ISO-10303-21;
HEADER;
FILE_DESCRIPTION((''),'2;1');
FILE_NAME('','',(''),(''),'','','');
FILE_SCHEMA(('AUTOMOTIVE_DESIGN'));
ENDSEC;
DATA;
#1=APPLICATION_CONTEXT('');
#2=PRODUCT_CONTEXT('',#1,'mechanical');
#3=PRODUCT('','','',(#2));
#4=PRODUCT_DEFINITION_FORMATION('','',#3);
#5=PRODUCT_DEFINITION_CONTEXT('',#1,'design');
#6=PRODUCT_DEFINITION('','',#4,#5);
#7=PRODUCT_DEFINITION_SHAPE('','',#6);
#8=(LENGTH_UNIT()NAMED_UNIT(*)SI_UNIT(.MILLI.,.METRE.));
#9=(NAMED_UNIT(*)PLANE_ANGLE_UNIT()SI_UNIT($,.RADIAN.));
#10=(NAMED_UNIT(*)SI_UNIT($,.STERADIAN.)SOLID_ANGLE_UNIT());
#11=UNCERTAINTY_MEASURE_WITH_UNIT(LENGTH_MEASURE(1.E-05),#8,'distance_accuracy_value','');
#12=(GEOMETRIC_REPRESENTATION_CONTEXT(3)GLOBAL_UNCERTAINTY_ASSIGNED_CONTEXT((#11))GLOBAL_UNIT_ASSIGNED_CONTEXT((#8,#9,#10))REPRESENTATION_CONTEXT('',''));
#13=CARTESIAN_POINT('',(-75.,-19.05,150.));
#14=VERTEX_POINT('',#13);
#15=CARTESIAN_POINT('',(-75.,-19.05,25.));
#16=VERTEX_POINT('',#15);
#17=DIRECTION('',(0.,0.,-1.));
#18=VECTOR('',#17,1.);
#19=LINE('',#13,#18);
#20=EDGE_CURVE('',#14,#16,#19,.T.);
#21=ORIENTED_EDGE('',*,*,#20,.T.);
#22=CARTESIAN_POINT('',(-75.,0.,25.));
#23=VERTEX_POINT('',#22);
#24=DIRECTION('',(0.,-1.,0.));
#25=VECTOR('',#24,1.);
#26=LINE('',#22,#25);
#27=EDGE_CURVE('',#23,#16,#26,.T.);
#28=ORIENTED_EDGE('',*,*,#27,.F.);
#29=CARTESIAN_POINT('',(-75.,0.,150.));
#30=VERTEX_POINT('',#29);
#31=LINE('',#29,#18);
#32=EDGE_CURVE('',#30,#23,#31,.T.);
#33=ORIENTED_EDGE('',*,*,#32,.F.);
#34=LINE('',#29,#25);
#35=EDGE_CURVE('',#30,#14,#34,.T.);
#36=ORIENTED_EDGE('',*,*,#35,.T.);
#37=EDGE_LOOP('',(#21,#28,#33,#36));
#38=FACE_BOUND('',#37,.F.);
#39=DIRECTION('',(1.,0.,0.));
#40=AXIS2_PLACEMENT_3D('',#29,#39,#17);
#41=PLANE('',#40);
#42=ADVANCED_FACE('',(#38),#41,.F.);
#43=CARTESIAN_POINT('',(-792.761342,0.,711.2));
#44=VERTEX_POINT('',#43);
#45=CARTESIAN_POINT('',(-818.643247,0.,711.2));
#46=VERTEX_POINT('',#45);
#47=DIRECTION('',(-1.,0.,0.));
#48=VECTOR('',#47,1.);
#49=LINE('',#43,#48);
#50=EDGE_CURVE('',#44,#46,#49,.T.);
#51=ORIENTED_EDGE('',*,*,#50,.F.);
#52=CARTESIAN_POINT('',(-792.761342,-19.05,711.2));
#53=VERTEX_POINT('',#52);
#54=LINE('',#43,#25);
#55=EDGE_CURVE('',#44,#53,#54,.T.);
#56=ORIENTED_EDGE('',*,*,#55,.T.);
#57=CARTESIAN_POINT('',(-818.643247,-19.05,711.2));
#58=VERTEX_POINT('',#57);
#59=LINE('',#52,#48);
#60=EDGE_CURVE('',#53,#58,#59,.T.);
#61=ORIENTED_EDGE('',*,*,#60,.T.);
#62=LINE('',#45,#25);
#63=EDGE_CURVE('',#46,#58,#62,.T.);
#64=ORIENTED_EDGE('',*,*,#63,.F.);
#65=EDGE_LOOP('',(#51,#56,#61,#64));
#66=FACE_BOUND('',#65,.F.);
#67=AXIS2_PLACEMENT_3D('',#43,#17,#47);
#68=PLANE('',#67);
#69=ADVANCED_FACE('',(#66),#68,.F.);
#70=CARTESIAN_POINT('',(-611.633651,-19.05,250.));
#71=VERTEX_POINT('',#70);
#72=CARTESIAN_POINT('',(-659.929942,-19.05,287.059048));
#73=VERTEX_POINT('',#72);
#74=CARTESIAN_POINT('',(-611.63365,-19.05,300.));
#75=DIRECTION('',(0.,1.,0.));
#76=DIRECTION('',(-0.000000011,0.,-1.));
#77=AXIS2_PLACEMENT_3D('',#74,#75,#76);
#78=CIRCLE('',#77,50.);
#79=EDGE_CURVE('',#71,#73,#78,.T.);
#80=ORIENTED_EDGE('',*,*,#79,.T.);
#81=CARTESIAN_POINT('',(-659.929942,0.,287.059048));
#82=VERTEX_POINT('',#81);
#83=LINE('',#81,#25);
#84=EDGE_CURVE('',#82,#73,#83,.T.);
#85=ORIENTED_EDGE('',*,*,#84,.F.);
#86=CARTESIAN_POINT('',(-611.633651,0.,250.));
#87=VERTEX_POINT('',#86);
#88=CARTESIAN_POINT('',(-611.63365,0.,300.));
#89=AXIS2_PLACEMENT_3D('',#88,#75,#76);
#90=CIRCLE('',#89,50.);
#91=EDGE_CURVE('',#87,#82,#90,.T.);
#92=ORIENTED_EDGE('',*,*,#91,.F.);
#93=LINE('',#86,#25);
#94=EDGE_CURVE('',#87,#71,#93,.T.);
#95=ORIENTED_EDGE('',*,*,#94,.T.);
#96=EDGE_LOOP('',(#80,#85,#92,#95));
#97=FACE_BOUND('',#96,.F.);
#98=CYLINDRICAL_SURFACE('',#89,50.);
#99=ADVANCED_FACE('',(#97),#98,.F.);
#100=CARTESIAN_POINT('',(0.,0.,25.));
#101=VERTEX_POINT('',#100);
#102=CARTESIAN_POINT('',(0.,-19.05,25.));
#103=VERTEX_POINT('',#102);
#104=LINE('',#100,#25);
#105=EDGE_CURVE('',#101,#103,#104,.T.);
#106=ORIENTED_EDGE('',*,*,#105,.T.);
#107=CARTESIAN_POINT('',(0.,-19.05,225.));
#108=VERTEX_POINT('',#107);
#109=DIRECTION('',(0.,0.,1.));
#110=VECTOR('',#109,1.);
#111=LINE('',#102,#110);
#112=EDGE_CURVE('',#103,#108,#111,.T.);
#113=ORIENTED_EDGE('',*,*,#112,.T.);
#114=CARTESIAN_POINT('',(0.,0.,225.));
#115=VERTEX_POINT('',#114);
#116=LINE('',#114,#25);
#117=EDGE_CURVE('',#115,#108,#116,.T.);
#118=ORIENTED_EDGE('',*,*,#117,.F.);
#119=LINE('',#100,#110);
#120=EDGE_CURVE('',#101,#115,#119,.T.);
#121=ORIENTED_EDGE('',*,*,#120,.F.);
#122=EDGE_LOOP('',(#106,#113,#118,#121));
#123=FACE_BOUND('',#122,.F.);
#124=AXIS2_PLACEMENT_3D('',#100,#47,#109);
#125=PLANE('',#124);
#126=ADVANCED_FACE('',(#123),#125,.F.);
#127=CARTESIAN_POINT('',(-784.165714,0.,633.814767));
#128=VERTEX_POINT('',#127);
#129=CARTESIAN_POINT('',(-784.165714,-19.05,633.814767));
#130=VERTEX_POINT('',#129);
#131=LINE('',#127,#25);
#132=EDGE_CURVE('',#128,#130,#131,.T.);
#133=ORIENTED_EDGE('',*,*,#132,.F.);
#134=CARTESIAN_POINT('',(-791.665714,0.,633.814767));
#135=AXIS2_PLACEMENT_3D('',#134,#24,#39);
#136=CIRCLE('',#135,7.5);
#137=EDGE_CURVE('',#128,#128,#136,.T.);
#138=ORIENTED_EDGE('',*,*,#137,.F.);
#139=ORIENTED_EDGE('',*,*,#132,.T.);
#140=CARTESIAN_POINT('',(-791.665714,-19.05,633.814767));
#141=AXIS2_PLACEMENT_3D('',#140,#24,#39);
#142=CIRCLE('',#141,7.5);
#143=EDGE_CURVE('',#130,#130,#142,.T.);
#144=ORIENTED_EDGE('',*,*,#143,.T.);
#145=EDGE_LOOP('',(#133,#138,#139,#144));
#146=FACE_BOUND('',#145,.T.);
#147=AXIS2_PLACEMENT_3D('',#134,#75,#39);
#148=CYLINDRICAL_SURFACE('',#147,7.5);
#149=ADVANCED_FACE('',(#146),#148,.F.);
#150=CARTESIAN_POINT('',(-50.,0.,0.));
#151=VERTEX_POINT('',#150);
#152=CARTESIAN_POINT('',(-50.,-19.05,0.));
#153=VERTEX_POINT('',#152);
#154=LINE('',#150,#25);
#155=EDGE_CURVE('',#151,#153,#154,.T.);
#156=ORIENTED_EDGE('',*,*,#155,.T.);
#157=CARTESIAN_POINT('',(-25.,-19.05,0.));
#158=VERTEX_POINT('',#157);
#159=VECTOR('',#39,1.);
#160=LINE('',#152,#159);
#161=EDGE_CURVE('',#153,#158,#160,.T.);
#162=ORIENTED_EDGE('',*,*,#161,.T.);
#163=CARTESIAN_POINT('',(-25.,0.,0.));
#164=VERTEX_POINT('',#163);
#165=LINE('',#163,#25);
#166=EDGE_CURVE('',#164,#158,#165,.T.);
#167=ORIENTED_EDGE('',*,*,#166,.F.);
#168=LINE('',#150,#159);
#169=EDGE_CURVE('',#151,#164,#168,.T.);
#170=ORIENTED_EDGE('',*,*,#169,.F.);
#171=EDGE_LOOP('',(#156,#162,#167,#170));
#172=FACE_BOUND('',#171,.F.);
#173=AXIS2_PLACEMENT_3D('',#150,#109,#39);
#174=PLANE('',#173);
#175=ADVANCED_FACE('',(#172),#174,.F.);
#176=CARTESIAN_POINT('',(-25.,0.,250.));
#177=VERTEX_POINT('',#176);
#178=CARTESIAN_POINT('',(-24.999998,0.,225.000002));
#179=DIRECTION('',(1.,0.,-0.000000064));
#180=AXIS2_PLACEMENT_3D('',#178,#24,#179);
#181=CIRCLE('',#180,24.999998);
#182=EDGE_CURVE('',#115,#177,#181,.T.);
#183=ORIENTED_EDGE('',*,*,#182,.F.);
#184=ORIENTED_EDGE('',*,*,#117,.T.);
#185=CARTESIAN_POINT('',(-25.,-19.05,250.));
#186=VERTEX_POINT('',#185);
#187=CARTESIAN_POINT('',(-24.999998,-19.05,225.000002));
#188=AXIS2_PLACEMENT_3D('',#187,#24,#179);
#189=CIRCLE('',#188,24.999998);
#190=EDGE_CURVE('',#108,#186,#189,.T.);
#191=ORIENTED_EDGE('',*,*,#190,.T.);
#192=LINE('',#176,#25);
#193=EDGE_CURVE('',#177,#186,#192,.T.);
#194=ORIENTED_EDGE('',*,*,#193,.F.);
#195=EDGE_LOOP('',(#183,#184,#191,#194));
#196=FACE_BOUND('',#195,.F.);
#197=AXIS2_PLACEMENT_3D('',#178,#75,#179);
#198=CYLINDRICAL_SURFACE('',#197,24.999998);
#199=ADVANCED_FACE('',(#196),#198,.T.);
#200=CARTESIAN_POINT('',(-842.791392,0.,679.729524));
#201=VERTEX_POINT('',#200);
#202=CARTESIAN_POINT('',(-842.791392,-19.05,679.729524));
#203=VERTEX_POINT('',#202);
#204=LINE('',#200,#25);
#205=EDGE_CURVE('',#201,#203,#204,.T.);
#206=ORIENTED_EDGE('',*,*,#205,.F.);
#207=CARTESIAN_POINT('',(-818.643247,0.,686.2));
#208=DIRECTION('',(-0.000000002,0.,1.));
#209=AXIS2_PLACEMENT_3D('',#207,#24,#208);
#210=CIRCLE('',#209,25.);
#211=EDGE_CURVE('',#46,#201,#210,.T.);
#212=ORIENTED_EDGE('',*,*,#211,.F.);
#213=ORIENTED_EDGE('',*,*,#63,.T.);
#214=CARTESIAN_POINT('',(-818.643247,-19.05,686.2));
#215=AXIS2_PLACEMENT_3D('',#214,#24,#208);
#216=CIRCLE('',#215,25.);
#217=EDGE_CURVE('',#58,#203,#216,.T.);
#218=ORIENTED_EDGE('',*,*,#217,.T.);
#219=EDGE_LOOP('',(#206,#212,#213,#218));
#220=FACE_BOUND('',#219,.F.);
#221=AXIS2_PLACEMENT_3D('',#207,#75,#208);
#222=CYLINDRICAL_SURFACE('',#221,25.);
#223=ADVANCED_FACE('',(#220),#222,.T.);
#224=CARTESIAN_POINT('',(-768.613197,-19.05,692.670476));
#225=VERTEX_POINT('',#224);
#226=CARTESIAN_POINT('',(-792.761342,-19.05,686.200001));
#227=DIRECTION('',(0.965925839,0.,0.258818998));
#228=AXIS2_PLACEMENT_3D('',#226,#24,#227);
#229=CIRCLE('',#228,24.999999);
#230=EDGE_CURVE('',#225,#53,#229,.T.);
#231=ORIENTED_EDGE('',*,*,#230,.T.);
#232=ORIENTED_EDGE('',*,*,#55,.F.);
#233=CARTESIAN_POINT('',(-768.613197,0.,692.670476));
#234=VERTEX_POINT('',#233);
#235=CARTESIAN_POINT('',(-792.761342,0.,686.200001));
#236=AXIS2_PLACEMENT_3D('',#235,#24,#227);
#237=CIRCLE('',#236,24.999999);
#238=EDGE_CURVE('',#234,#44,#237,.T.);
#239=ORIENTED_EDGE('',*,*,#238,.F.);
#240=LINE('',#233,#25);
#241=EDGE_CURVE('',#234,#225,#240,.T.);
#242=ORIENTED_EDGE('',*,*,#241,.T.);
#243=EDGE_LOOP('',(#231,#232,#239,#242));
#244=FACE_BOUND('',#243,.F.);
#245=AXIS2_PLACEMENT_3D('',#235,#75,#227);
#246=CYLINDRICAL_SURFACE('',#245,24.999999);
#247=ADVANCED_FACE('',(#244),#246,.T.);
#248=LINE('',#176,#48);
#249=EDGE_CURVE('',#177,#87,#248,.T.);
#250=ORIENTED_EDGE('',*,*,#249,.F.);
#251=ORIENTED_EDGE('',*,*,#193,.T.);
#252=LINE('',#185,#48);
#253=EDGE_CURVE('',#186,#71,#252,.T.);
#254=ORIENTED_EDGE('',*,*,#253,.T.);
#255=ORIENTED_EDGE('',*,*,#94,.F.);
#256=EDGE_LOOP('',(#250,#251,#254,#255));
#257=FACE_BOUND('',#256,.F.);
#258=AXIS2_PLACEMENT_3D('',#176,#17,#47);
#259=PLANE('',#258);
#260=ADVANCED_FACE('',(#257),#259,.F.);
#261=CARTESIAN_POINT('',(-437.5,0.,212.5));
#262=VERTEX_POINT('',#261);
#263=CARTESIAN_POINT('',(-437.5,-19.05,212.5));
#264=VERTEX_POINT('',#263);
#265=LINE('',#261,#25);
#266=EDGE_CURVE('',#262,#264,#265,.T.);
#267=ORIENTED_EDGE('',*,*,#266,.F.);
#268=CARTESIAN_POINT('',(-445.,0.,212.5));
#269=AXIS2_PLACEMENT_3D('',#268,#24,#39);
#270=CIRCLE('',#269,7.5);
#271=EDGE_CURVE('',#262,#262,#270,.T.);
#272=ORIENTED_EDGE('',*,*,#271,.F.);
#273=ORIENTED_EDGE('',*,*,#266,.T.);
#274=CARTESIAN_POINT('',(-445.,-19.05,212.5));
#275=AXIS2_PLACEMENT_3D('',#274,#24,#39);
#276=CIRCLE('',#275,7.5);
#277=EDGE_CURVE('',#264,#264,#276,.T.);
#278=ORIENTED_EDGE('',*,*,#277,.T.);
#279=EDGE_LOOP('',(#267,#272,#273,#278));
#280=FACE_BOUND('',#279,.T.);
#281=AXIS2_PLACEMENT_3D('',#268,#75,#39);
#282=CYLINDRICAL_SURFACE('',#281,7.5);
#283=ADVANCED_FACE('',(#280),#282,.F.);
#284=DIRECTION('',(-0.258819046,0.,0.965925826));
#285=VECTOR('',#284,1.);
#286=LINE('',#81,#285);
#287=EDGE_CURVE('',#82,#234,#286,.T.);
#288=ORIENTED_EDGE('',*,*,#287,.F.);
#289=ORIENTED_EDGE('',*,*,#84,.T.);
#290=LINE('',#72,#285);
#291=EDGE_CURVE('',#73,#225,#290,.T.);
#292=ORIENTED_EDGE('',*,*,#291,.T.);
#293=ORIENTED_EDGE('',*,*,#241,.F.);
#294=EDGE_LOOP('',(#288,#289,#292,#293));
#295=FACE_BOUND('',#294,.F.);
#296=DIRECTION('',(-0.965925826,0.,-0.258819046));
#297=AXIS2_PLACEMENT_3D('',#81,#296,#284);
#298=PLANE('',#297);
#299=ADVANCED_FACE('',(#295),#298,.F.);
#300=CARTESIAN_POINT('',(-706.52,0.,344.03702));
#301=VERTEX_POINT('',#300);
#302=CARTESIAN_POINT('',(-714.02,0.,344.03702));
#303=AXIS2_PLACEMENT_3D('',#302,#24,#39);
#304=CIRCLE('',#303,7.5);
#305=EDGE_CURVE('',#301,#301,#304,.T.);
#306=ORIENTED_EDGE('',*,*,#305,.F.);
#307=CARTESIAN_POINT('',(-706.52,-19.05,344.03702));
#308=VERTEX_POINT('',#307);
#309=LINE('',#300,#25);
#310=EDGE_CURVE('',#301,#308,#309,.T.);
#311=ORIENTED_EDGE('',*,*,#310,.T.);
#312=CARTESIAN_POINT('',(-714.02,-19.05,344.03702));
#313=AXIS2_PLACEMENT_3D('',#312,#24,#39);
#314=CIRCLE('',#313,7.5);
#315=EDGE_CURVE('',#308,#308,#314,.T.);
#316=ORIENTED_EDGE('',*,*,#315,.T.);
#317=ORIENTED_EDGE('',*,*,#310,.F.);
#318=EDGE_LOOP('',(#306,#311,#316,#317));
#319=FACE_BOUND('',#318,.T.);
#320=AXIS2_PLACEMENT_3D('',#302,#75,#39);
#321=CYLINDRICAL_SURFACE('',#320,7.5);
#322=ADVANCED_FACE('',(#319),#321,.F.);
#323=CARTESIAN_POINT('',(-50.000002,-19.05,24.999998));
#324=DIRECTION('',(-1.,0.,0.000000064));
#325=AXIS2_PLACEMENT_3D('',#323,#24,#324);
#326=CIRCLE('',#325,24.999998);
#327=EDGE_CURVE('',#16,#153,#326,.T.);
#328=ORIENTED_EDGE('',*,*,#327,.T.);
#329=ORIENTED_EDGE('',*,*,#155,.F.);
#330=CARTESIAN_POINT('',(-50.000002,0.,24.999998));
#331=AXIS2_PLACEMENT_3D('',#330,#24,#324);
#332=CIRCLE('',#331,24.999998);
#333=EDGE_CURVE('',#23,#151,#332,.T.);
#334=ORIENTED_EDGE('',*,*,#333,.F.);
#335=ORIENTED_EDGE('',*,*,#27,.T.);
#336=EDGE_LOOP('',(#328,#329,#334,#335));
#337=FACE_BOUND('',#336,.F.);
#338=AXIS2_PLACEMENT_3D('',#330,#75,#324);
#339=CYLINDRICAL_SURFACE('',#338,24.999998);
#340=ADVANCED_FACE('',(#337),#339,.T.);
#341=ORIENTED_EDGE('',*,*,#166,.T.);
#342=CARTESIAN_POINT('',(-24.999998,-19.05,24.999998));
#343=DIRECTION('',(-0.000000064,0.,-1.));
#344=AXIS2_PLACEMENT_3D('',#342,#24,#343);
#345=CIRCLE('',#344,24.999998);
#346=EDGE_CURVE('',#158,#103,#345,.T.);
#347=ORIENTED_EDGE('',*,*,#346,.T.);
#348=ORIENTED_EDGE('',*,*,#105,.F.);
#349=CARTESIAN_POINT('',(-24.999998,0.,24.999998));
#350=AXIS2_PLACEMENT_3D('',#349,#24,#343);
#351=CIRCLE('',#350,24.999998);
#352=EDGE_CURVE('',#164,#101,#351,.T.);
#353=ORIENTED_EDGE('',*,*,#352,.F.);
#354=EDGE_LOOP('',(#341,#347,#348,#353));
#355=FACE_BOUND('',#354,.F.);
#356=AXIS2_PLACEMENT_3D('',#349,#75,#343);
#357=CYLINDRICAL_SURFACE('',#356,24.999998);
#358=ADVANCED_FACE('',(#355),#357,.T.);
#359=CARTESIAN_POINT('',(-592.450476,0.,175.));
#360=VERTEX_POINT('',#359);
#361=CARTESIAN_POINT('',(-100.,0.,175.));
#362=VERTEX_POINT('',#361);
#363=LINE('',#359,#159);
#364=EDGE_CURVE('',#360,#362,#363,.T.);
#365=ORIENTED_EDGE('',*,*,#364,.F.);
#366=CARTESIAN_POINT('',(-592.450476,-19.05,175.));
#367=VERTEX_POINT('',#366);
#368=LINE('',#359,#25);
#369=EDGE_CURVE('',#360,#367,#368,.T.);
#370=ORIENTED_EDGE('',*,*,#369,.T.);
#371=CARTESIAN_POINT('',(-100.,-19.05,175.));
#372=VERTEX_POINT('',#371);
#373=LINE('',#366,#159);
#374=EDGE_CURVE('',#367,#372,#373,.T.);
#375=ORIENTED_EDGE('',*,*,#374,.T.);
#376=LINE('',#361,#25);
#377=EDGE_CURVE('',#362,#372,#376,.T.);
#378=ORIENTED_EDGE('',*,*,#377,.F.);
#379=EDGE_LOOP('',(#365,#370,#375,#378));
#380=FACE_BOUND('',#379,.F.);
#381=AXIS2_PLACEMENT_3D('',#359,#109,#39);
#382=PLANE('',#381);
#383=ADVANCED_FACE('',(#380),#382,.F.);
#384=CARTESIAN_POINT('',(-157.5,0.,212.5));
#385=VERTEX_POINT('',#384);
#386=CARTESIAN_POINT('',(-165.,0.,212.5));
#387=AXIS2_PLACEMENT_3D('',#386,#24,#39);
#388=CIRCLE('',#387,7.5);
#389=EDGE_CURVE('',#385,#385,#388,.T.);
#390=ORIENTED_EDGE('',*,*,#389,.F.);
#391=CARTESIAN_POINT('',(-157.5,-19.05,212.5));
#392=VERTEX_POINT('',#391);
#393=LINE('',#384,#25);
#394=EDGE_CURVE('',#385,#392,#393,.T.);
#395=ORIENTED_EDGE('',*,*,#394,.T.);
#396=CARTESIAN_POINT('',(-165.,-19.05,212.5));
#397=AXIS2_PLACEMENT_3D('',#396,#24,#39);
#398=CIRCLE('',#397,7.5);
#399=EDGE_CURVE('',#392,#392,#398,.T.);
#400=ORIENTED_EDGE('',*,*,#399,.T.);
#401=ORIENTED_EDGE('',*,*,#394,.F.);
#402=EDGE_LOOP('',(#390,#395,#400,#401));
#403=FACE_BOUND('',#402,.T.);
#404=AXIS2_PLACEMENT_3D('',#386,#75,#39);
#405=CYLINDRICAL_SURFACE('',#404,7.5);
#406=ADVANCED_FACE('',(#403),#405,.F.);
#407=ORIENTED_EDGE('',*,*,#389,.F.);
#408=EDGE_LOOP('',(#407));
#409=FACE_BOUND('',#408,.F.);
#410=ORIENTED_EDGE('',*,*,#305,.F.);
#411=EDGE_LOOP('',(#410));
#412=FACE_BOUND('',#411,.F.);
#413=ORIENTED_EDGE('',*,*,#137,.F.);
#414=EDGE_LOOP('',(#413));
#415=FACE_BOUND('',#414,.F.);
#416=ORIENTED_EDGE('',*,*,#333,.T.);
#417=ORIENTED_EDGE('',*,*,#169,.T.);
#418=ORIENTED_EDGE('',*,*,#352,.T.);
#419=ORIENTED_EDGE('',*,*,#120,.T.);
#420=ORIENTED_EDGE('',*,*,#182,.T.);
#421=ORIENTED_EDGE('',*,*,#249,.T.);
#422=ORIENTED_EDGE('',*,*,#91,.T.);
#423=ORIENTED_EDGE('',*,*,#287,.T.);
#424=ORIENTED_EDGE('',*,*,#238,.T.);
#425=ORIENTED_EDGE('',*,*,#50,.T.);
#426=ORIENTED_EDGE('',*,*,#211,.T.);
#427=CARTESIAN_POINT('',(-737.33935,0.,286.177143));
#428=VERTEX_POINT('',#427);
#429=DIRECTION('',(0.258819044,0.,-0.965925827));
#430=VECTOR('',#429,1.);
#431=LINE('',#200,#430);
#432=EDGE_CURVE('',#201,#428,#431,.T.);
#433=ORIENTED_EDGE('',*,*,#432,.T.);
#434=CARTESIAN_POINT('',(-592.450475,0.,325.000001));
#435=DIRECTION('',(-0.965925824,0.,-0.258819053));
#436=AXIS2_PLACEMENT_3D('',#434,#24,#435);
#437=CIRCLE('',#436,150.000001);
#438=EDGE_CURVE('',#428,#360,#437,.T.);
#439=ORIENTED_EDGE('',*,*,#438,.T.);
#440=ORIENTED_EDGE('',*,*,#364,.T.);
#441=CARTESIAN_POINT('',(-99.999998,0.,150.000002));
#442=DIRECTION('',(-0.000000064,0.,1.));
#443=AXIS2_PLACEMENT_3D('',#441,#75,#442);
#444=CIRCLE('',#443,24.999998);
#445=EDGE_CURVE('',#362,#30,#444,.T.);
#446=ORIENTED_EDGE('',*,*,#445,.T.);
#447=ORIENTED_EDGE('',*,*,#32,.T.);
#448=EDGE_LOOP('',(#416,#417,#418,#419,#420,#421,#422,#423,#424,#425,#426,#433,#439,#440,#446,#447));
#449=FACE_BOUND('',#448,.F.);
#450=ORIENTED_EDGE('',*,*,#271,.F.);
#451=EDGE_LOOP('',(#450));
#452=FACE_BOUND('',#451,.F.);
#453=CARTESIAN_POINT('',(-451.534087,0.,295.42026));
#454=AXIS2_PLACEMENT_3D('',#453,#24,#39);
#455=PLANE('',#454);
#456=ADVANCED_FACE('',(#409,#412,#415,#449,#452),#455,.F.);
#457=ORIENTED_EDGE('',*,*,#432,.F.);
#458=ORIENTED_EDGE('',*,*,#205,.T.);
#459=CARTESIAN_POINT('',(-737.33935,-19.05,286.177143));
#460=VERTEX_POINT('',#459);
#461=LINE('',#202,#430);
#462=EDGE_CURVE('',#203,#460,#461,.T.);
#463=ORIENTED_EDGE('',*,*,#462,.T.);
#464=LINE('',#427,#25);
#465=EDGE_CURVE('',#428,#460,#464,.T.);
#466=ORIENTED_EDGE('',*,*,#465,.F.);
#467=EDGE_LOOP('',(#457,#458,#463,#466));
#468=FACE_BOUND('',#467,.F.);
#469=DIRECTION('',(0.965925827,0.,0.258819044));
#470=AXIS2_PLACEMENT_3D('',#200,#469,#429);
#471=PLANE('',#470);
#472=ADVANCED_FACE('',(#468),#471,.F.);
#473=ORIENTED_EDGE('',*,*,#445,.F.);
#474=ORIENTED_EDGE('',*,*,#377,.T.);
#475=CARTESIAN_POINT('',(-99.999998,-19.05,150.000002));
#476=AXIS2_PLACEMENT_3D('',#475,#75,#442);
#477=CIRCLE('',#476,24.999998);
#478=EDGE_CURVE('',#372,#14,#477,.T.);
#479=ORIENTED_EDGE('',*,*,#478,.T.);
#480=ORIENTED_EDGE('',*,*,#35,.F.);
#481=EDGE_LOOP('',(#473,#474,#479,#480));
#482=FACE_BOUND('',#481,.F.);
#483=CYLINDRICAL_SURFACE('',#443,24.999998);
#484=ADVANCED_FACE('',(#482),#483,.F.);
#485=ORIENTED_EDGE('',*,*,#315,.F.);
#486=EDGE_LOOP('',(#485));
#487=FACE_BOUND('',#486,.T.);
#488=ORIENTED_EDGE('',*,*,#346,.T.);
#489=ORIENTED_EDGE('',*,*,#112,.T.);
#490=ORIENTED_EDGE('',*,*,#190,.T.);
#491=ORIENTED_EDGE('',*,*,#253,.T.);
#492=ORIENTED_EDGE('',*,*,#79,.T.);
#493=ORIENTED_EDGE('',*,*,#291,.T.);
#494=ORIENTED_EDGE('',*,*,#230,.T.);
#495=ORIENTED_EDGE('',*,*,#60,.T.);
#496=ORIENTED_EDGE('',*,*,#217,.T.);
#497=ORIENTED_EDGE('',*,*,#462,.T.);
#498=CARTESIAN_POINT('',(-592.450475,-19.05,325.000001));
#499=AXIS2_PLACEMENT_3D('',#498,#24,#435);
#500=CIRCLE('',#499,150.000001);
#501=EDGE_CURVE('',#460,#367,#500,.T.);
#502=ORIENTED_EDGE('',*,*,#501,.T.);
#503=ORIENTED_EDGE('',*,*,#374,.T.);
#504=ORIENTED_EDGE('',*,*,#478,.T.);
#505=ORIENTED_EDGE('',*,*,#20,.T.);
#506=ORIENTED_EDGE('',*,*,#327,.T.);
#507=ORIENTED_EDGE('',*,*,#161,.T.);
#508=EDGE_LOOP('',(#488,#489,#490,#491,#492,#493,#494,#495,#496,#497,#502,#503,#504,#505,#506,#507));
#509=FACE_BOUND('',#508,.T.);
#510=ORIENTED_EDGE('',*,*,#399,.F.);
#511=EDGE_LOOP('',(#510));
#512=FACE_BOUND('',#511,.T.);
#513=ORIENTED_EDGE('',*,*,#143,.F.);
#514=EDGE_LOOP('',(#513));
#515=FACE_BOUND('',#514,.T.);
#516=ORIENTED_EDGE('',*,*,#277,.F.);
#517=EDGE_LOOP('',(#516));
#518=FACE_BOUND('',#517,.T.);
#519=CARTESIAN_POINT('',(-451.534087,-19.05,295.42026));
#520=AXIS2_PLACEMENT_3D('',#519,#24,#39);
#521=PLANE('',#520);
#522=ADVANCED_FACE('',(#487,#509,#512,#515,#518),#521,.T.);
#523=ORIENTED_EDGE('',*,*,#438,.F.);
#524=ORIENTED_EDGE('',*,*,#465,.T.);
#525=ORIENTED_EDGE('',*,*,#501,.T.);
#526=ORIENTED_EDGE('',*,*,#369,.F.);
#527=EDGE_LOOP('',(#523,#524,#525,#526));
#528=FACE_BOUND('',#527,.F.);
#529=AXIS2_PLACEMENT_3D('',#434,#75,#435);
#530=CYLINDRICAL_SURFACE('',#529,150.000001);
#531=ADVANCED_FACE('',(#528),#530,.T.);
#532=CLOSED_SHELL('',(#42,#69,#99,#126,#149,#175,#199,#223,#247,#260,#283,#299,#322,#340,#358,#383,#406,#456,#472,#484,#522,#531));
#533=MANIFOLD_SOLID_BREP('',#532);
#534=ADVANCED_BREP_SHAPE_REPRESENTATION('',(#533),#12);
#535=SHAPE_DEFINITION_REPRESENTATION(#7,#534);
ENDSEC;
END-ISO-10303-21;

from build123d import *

# Parameters (mm, degrees)
F0_R     = 7.5
F1_DEPTH = 19.05


with BuildPart() as f1:
    # F0 (on Front) → F1 (new body)
    with BuildSketch(Plane.XZ):
        with BuildLine():
            ThreePointArc((-25, 0), (-7.32233, 7.32233), (0, 25))
            Line((0, 25), (0, 225))
            ThreePointArc((0, 225), (-7.32233, 242.67767), (-25, 250))
            Line((-25, 250), (-611.633651, 250))
            ThreePointArc((-611.633651, 250), (-642.071722, 260.332333), (-659.929942, 287.059048))
            Line((-659.929942, 287.059048), (-768.613197, 692.670476))
            ThreePointArc((-768.613197, 692.670476), (-777.542307, 706.033834), (-792.761342, 711.2))
            Line((-792.761342, 711.2), (-818.643247, 711.2))
            ThreePointArc((-818.643247, 711.2), (-838.47708, 701.419036), (-842.791392, 679.729524))
            Line((-842.791392, 679.729524), (-737.33935, 286.177143))
            ThreePointArc((-737.33935, 286.177143), (-683.76469, 205.996999), (-592.450476, 175))
            Line((-592.450476, 175), (-100, 175))
            ThreePointArc((-100, 175), (-82.32233, 167.67767), (-75, 150))
            Line((-75, 150), (-75, 25))
            ThreePointArc((-75, 25), (-67.67767, 7.32233), (-50, 0))
            Line((-50, 0), (-25, 0))
        make_face()
        with Locations((-714.02, 344.03702)):
            Circle(F0_R, mode=Mode.SUBTRACT)
        with Locations((-445, 212.5)):
            Circle(F0_R, mode=Mode.SUBTRACT)
        with Locations((-165, 212.5)):
            Circle(F0_R, mode=Mode.SUBTRACT)
        with Locations((-791.665714, 633.814767)):
            Circle(F0_R, mode=Mode.SUBTRACT)
    extrude(amount=F1_DEPTH)


solid = f1.part
